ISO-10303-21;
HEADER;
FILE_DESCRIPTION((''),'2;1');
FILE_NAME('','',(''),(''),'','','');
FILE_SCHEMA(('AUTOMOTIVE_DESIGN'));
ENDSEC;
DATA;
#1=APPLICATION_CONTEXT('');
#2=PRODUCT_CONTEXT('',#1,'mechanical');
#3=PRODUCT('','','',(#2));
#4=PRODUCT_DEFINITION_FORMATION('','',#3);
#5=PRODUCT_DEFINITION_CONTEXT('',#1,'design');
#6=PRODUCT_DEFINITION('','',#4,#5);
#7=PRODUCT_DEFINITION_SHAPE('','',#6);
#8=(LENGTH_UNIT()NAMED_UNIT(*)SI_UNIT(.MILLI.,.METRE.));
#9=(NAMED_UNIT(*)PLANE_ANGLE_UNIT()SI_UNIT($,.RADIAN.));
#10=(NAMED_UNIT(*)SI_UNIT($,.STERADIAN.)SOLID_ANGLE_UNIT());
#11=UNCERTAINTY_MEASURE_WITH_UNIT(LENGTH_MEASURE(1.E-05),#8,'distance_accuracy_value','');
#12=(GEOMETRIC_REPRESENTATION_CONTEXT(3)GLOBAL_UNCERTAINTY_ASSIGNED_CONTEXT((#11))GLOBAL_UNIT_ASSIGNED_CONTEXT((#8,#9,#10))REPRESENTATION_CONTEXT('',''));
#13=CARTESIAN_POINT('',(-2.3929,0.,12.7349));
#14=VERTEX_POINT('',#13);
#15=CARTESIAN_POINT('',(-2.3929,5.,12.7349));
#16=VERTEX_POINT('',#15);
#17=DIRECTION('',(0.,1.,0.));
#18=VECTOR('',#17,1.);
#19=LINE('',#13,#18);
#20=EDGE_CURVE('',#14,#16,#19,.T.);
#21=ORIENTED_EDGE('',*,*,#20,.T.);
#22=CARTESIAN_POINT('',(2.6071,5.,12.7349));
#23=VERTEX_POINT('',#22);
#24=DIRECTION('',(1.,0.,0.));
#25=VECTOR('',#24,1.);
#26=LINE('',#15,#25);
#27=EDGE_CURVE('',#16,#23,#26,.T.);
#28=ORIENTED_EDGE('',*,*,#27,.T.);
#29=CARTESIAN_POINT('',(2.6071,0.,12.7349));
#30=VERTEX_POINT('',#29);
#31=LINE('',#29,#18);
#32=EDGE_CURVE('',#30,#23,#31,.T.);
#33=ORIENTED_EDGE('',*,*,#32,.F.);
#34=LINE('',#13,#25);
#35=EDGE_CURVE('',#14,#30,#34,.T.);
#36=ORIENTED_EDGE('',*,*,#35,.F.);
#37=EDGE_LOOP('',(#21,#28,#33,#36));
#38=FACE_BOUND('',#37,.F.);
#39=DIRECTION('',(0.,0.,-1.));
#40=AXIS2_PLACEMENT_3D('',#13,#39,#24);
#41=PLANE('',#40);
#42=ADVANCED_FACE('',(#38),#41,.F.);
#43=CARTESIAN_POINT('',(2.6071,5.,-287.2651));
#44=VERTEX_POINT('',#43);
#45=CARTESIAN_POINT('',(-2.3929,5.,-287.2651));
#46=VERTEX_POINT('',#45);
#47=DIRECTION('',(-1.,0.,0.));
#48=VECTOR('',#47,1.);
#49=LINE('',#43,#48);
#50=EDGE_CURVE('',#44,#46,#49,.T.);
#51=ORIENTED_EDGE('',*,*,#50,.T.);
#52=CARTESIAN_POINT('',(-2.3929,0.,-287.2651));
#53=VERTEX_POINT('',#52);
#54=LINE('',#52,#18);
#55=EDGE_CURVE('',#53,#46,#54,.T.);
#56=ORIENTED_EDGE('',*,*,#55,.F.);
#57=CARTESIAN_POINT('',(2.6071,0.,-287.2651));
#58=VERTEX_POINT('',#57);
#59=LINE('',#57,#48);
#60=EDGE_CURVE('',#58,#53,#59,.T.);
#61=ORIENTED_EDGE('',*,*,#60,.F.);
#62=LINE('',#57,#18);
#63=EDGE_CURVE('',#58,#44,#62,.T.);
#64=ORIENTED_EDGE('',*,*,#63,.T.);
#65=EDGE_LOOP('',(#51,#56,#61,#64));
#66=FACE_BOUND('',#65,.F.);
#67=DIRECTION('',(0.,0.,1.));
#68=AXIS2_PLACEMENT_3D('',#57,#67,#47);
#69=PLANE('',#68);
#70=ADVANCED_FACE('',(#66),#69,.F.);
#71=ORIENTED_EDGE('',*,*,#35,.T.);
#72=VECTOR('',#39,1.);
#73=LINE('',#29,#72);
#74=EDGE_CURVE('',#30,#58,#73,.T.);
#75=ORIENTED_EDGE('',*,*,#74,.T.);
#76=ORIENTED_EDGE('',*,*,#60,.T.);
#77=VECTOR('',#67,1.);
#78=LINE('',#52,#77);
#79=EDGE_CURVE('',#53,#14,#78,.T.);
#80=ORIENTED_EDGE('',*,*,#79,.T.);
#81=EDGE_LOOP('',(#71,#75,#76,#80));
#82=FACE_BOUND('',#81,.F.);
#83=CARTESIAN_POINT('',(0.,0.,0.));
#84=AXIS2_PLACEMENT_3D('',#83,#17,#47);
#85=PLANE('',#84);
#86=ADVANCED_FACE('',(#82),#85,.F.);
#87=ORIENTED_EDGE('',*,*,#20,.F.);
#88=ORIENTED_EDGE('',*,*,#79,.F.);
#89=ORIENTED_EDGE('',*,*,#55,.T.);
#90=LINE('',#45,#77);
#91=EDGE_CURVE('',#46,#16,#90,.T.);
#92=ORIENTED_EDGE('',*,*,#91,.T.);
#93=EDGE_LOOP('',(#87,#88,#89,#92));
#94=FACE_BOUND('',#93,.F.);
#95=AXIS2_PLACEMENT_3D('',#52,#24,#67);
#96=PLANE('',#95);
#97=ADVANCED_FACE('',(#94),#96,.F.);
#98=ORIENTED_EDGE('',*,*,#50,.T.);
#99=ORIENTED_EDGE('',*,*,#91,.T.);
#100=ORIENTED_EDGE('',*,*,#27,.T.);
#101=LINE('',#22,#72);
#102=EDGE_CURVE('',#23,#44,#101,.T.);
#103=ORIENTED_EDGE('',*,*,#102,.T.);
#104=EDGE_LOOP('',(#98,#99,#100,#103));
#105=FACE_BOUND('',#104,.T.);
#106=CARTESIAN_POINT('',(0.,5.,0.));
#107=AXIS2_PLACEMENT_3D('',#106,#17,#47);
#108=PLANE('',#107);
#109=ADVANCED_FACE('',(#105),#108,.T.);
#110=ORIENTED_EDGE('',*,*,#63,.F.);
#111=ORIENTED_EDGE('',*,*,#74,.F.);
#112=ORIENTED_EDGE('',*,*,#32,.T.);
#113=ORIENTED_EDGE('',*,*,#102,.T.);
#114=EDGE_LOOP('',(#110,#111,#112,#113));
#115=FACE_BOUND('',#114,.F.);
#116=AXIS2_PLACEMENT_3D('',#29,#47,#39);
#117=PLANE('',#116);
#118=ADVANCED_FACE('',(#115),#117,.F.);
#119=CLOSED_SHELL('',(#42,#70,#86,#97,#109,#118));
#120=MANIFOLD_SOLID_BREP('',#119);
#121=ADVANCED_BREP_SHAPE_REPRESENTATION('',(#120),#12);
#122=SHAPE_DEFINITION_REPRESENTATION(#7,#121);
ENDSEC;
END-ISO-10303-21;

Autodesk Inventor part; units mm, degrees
ref_plane "YZ Plane" through (0, 0, 0) normal (1, 0, 0) x (0, 1, 0)
ref_plane "XZ Plane" through (0, 0, 0) normal (0, 1, 0) x (-1, 0, 0)
ref_plane "XY Plane" through (0, 0, 0) normal (0, 0, 1) x (1, 0, 0)
sketch "スケッチ1" plane through (0, 0, 0) normal (0, 1, 0) x (-1, 0, 0)
  line L0 (2.3929, 12.7349) -> (-2.6071, 12.7349)
  line L1 (-2.6071, 12.7349) -> (-2.6071, -287.2651)
  line L2 (-2.6071, -287.2651) -> (2.3929, -287.2651)
  line L3 (2.3929, -287.2651) -> (2.3929, 12.7349)
  point P0 (0, 0)
  dimension "d0" = 5
  dimension "d1" = 300
extrude "押し出し1" add sketch "スケッチ1" along normal blind 5
properties part number "nhk 01"
